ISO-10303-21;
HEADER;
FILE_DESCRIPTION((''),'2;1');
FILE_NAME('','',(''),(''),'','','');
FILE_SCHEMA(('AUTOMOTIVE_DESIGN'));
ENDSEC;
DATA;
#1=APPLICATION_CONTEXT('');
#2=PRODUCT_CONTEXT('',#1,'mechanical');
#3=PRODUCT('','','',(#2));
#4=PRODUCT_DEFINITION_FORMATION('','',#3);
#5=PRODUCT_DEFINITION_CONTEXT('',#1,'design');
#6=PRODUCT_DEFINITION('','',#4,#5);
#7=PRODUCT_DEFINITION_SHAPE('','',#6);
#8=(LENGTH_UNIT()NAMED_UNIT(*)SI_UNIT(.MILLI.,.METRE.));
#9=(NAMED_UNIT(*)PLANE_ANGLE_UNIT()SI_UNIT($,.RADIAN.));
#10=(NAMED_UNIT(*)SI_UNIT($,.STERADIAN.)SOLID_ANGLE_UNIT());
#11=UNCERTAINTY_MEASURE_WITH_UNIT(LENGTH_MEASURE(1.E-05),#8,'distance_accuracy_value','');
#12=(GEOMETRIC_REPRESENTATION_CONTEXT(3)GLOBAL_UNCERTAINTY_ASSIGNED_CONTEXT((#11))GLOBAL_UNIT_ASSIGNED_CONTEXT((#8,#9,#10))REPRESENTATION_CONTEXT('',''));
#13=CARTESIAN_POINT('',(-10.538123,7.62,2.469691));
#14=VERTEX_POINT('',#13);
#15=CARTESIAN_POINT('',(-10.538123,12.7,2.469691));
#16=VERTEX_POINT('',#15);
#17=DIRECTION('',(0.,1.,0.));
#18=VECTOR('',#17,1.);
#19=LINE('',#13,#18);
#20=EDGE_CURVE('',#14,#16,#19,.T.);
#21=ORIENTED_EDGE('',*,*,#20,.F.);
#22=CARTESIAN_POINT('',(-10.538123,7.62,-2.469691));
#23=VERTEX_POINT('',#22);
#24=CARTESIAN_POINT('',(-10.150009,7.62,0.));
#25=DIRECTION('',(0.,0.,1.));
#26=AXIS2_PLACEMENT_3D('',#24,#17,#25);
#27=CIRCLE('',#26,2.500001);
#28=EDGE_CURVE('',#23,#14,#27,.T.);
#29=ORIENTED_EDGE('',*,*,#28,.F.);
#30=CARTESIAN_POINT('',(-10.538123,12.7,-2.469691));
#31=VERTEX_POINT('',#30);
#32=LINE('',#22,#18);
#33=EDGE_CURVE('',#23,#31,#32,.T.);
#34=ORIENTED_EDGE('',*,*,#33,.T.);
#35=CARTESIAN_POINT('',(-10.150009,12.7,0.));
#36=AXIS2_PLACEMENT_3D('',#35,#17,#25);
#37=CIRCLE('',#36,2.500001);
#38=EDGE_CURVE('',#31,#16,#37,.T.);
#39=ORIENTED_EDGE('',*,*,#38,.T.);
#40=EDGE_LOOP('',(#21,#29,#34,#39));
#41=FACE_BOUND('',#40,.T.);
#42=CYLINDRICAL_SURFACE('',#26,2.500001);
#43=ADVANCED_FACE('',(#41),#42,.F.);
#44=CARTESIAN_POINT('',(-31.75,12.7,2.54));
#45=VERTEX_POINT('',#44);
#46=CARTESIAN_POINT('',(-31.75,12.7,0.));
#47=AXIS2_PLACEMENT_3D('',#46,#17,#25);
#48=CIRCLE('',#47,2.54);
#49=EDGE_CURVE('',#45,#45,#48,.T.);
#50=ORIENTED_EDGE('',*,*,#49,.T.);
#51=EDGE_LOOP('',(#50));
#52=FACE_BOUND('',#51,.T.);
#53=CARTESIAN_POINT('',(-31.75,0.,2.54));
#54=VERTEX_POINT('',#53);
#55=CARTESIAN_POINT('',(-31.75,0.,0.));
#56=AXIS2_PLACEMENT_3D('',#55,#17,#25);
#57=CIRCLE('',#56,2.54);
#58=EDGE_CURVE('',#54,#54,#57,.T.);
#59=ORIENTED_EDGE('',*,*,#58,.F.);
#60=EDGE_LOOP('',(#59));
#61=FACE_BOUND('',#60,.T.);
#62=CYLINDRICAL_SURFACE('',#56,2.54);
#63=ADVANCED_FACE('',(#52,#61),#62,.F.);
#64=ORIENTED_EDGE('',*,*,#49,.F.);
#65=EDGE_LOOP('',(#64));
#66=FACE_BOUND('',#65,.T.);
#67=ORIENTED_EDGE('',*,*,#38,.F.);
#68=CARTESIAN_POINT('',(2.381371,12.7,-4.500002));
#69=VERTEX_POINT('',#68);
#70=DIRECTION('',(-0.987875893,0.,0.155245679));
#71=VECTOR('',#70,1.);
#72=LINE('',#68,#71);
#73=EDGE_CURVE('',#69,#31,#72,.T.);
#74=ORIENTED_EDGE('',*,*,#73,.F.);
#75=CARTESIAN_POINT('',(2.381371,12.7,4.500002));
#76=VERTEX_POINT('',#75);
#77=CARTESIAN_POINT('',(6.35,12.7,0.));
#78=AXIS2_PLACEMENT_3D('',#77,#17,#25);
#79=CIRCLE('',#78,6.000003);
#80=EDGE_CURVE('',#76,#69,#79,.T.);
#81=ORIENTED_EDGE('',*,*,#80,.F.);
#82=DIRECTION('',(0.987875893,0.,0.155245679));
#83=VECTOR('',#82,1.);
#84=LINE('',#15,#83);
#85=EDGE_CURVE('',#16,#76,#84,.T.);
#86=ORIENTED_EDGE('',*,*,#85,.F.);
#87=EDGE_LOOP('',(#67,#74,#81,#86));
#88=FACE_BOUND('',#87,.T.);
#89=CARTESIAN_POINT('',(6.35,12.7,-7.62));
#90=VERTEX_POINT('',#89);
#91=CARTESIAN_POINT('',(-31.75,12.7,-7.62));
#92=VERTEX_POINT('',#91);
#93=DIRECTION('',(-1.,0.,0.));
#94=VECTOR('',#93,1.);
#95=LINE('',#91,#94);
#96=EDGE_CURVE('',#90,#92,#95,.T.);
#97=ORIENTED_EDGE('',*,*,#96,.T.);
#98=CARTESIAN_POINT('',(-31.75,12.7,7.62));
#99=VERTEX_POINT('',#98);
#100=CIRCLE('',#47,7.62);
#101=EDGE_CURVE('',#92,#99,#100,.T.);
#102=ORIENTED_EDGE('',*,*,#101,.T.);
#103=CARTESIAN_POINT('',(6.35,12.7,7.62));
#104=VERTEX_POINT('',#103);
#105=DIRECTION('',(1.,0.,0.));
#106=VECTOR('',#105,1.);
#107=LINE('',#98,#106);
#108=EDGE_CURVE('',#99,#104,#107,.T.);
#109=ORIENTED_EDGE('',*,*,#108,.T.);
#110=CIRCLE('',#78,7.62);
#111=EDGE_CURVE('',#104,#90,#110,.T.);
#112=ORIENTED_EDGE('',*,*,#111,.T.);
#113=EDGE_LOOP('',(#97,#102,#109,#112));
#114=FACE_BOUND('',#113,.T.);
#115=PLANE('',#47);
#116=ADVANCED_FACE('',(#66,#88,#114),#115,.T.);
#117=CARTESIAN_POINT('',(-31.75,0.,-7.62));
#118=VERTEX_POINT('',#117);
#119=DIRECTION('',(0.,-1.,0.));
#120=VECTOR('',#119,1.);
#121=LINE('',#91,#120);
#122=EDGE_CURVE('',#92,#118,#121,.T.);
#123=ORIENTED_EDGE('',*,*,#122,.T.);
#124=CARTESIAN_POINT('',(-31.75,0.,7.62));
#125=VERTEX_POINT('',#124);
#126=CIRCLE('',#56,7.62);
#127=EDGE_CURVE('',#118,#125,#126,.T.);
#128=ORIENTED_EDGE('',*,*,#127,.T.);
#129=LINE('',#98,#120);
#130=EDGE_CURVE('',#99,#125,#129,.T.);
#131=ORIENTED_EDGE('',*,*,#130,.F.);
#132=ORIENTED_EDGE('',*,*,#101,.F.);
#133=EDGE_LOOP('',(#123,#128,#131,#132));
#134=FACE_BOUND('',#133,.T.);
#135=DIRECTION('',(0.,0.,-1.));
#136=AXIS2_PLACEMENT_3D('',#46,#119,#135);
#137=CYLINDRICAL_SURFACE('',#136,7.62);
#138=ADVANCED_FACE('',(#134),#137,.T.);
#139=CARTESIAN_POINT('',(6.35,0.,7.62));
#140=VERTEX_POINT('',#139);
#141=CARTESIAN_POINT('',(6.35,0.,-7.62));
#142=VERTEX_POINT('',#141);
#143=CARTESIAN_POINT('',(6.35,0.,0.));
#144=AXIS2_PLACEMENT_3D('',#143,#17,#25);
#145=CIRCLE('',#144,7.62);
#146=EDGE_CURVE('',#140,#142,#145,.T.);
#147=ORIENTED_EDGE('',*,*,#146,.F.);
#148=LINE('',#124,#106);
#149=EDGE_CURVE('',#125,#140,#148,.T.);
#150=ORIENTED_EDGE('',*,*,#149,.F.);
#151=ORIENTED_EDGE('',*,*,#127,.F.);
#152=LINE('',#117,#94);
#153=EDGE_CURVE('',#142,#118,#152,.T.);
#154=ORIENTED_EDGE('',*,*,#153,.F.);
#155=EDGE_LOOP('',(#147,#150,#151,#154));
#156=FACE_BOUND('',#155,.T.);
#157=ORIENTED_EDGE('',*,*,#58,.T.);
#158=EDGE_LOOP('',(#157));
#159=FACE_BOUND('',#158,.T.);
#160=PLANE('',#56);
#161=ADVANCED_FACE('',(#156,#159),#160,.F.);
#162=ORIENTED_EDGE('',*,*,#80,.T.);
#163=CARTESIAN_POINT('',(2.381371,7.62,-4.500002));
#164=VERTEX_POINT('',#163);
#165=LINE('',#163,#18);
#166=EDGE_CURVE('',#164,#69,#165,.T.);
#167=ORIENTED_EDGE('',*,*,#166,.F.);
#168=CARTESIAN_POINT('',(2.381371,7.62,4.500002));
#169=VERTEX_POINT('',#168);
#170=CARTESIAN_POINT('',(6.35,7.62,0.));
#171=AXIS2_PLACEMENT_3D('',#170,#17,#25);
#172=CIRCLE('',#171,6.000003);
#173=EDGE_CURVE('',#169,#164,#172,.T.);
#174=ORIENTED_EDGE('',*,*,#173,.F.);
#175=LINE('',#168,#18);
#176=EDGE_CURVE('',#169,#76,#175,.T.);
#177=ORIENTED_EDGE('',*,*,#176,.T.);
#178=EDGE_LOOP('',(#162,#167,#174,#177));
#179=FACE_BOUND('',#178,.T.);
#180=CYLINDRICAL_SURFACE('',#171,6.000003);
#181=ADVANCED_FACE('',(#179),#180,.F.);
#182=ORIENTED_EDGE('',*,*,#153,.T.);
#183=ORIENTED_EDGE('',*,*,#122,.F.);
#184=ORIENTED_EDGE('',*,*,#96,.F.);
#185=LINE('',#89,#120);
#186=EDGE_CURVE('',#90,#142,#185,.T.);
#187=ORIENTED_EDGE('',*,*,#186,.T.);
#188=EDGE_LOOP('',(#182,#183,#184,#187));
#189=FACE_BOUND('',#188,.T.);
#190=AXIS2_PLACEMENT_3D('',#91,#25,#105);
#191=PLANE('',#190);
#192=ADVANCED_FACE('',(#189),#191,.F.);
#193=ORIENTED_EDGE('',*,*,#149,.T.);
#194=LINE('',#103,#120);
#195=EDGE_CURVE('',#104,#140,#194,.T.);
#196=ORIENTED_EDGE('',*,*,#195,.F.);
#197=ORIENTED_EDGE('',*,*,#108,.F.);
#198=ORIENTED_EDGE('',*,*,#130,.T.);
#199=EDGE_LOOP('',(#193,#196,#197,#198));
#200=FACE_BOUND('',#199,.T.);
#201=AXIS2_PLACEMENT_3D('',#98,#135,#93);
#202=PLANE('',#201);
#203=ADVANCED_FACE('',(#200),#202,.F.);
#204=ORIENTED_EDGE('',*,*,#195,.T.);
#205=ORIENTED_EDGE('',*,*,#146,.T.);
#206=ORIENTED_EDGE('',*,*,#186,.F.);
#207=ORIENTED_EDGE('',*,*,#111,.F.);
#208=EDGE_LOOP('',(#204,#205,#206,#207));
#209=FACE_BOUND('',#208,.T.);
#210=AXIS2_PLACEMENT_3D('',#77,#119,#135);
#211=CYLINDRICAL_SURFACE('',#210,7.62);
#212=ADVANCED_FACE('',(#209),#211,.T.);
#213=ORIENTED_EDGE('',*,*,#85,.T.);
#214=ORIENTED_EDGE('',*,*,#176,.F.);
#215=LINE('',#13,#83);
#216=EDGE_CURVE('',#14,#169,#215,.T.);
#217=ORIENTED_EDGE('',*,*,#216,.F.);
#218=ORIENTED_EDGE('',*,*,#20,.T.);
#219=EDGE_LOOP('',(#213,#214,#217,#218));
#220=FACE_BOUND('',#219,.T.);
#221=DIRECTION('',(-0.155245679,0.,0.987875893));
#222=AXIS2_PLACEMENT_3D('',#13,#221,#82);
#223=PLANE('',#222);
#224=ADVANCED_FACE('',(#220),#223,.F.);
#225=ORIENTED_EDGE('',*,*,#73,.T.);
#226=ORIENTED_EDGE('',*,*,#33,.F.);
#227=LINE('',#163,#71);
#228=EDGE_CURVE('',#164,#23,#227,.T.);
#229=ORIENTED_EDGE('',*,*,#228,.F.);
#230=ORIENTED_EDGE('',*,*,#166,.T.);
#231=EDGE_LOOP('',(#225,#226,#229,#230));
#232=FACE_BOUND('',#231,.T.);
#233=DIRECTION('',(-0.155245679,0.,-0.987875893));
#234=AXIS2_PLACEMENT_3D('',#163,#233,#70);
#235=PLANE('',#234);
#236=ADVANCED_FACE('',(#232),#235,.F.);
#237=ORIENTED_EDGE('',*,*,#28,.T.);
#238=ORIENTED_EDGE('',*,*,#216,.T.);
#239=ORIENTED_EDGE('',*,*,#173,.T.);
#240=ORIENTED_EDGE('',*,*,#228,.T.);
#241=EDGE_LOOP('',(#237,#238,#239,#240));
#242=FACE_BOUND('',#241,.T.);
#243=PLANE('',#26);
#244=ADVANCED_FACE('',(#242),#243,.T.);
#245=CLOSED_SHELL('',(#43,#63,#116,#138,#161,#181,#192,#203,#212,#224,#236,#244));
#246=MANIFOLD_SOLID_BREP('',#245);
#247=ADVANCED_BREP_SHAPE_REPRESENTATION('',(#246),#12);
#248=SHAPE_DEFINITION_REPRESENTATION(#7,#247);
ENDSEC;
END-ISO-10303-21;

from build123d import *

# Parameters (mm, degrees)
BOSS_EXTRUDE1_DEPTH = 12.7
SKETCH4_R           = 2.54
CUT_EXTRUDE3_DEPTH  = 43.063657711
CUT_EXTRUDE4_DEPTH  = 5.08


with BuildPart() as part:
    # Sketch3 → Boss-Extrude1 (new body)
    with BuildSketch(Plane(origin=(0, 0, 0), x_dir=(1, 0, 0), z_dir=(0, 1, 0))):
        with BuildLine():
            Line((-31.75, 7.62), (6.35, 7.62))
            ThreePointArc((6.35, 7.62), (13.97, 0), (6.35, -7.62))
            Line((6.35, -7.62), (-31.75, -7.62))
            ThreePointArc((-31.75, -7.62), (-39.37, 0), (-31.75, 7.62))
        make_face()
    extrude(amount=BOSS_EXTRUDE1_DEPTH)

    # Sketch4 → Cut-Extrude3 (cut, through all)
    with BuildSketch(Plane(origin=(0, 12.7, 0), x_dir=(1, 0, 0), z_dir=(0, 1, 0))):
        with Locations(Location((-31.75, 0, 0), (0, 0, 270))):
            Circle(SKETCH4_R)
    extrude(amount=-CUT_EXTRUDE3_DEPTH, mode=Mode.SUBTRACT)

    # Sketch5 → Cut-Extrude4 (cut)
    with BuildSketch(Plane(origin=(0, 12.7, 0), x_dir=(1, 0, 0), z_dir=(0, 1, 0))):
        with BuildLine():
            Line((-10.538123317, -2.469691065), (2.38137089, -4.50000243))
            ThreePointArc((2.38137089, -4.50000243), (12.35000324, 0), (2.38137089, 4.50000243))
            Line((2.38137089, 4.50000243), (-10.538123317, 2.469691065))
            ThreePointArc((-10.538123317, 2.469691065), (-12.65001026, 0), (-10.538123317, -2.469691065))
        make_face()
    extrude(amount=-CUT_EXTRUDE4_DEPTH, mode=Mode.SUBTRACT)


solid = part.part
